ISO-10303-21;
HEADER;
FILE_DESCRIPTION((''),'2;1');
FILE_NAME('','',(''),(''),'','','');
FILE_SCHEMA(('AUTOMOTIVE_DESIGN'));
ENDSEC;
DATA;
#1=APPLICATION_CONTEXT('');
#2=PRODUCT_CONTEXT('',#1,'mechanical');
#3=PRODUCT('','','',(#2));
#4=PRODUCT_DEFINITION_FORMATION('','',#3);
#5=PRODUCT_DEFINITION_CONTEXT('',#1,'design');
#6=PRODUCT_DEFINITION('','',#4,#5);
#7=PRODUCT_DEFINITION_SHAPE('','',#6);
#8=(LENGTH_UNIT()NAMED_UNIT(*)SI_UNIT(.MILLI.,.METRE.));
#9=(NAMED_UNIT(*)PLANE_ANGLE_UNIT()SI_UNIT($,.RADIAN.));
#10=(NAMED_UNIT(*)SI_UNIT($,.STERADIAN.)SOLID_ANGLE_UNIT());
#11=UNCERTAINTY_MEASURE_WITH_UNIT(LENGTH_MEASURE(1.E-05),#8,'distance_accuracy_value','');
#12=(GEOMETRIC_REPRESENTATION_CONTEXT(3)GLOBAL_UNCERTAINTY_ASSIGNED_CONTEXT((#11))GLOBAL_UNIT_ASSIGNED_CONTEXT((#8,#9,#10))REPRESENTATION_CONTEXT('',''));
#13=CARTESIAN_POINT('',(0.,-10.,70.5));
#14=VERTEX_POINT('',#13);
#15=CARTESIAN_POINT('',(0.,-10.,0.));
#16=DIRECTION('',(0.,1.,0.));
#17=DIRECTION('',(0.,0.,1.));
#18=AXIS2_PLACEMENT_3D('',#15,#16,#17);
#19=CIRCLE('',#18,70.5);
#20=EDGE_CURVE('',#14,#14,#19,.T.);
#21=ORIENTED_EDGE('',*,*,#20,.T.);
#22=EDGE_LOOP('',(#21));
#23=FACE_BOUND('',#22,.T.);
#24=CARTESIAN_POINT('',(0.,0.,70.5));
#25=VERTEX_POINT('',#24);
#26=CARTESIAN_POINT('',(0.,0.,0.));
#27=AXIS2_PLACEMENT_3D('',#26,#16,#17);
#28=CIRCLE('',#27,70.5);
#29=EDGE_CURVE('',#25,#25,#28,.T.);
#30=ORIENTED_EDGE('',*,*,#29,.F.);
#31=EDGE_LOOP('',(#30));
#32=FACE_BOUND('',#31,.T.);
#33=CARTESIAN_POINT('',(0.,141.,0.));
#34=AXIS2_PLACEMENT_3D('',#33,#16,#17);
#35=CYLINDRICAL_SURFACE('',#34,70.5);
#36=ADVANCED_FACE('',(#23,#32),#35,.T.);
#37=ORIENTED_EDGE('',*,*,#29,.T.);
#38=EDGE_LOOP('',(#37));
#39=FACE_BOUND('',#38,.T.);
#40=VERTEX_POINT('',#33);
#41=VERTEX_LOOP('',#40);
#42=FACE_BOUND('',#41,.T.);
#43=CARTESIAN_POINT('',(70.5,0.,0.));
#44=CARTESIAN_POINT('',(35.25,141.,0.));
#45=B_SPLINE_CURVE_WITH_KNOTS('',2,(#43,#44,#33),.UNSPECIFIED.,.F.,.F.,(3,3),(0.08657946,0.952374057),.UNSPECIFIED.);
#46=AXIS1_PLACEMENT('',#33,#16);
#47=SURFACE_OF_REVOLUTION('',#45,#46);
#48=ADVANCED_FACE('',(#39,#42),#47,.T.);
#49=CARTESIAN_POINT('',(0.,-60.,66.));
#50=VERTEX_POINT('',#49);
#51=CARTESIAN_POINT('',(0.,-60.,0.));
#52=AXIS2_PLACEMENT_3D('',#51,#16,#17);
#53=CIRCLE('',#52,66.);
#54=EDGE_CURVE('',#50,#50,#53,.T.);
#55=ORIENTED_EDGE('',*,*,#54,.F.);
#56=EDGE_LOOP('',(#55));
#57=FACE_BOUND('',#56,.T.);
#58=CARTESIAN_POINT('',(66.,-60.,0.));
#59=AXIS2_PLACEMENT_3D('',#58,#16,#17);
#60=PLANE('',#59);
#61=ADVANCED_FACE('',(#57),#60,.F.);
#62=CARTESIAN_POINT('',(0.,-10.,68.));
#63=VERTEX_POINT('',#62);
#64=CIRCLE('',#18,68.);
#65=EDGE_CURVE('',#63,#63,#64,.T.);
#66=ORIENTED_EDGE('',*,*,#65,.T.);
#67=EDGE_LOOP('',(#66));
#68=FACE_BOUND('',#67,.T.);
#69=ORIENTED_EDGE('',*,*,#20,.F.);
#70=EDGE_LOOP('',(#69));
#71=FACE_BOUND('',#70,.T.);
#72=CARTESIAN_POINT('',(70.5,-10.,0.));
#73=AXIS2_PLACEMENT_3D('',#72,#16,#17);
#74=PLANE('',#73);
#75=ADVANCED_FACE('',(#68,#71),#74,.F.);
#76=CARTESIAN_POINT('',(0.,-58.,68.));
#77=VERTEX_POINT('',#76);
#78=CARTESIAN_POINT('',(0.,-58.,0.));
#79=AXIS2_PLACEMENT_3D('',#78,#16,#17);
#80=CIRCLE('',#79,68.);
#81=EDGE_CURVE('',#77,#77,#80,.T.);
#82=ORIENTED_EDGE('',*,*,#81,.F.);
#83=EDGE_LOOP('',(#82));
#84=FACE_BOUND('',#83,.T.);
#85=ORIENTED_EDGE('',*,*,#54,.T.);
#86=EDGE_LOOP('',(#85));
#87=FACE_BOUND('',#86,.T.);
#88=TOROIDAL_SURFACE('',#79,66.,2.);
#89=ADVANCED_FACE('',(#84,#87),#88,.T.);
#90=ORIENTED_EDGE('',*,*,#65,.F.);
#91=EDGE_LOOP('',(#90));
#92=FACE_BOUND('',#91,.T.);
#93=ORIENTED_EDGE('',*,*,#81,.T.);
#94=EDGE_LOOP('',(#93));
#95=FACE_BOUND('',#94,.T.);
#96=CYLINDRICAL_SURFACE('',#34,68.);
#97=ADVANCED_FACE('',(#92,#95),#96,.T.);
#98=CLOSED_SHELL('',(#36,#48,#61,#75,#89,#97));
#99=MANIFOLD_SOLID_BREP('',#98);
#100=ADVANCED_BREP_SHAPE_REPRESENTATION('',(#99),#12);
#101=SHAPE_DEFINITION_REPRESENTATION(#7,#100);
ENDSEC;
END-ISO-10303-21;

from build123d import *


with BuildPart() as part:
    # Schizzo1 → Rivoluzione3 (revolve)
    with BuildSketch(Plane.XY, mode=Mode.PRIVATE) as rivoluzione3_sk:
        with BuildLine():
            Line((0, 141), (0, 0))
            Line((0, 0), (0, -10))
            Line((0, -10), (0, -60.000000094))
            Line((0, -60.000000094), (66, -60.000000094))
            ThreePointArc((66, -60.000000094), (67.414213562, -59.414213657), (68, -58.000000094))
            Line((68, -58.000000094), (68, -10.000000094))
            Line((68, -10.000000094), (70.499999813, -10.000000094))
            Line((70.499999813, -10.000000094), (70.499999813, -9.4e-08))
            add(Edge.make_bspline(
                [(0, 141), (35.25, 140.999999953), (70.499999813, -9.4e-08)],
                knots=[0.08657946, 0.08657946, 0.08657946, 0.952374057, 0.952374057, 0.952374057], degree=2))
        make_face()
    revolve(rivoluzione3_sk.sketch.rotate(Axis((0, 141, 0), (0, -1, 0)), 90), axis=Axis((0, 141, 0), (0, -1, 0)))


solid = part.part
